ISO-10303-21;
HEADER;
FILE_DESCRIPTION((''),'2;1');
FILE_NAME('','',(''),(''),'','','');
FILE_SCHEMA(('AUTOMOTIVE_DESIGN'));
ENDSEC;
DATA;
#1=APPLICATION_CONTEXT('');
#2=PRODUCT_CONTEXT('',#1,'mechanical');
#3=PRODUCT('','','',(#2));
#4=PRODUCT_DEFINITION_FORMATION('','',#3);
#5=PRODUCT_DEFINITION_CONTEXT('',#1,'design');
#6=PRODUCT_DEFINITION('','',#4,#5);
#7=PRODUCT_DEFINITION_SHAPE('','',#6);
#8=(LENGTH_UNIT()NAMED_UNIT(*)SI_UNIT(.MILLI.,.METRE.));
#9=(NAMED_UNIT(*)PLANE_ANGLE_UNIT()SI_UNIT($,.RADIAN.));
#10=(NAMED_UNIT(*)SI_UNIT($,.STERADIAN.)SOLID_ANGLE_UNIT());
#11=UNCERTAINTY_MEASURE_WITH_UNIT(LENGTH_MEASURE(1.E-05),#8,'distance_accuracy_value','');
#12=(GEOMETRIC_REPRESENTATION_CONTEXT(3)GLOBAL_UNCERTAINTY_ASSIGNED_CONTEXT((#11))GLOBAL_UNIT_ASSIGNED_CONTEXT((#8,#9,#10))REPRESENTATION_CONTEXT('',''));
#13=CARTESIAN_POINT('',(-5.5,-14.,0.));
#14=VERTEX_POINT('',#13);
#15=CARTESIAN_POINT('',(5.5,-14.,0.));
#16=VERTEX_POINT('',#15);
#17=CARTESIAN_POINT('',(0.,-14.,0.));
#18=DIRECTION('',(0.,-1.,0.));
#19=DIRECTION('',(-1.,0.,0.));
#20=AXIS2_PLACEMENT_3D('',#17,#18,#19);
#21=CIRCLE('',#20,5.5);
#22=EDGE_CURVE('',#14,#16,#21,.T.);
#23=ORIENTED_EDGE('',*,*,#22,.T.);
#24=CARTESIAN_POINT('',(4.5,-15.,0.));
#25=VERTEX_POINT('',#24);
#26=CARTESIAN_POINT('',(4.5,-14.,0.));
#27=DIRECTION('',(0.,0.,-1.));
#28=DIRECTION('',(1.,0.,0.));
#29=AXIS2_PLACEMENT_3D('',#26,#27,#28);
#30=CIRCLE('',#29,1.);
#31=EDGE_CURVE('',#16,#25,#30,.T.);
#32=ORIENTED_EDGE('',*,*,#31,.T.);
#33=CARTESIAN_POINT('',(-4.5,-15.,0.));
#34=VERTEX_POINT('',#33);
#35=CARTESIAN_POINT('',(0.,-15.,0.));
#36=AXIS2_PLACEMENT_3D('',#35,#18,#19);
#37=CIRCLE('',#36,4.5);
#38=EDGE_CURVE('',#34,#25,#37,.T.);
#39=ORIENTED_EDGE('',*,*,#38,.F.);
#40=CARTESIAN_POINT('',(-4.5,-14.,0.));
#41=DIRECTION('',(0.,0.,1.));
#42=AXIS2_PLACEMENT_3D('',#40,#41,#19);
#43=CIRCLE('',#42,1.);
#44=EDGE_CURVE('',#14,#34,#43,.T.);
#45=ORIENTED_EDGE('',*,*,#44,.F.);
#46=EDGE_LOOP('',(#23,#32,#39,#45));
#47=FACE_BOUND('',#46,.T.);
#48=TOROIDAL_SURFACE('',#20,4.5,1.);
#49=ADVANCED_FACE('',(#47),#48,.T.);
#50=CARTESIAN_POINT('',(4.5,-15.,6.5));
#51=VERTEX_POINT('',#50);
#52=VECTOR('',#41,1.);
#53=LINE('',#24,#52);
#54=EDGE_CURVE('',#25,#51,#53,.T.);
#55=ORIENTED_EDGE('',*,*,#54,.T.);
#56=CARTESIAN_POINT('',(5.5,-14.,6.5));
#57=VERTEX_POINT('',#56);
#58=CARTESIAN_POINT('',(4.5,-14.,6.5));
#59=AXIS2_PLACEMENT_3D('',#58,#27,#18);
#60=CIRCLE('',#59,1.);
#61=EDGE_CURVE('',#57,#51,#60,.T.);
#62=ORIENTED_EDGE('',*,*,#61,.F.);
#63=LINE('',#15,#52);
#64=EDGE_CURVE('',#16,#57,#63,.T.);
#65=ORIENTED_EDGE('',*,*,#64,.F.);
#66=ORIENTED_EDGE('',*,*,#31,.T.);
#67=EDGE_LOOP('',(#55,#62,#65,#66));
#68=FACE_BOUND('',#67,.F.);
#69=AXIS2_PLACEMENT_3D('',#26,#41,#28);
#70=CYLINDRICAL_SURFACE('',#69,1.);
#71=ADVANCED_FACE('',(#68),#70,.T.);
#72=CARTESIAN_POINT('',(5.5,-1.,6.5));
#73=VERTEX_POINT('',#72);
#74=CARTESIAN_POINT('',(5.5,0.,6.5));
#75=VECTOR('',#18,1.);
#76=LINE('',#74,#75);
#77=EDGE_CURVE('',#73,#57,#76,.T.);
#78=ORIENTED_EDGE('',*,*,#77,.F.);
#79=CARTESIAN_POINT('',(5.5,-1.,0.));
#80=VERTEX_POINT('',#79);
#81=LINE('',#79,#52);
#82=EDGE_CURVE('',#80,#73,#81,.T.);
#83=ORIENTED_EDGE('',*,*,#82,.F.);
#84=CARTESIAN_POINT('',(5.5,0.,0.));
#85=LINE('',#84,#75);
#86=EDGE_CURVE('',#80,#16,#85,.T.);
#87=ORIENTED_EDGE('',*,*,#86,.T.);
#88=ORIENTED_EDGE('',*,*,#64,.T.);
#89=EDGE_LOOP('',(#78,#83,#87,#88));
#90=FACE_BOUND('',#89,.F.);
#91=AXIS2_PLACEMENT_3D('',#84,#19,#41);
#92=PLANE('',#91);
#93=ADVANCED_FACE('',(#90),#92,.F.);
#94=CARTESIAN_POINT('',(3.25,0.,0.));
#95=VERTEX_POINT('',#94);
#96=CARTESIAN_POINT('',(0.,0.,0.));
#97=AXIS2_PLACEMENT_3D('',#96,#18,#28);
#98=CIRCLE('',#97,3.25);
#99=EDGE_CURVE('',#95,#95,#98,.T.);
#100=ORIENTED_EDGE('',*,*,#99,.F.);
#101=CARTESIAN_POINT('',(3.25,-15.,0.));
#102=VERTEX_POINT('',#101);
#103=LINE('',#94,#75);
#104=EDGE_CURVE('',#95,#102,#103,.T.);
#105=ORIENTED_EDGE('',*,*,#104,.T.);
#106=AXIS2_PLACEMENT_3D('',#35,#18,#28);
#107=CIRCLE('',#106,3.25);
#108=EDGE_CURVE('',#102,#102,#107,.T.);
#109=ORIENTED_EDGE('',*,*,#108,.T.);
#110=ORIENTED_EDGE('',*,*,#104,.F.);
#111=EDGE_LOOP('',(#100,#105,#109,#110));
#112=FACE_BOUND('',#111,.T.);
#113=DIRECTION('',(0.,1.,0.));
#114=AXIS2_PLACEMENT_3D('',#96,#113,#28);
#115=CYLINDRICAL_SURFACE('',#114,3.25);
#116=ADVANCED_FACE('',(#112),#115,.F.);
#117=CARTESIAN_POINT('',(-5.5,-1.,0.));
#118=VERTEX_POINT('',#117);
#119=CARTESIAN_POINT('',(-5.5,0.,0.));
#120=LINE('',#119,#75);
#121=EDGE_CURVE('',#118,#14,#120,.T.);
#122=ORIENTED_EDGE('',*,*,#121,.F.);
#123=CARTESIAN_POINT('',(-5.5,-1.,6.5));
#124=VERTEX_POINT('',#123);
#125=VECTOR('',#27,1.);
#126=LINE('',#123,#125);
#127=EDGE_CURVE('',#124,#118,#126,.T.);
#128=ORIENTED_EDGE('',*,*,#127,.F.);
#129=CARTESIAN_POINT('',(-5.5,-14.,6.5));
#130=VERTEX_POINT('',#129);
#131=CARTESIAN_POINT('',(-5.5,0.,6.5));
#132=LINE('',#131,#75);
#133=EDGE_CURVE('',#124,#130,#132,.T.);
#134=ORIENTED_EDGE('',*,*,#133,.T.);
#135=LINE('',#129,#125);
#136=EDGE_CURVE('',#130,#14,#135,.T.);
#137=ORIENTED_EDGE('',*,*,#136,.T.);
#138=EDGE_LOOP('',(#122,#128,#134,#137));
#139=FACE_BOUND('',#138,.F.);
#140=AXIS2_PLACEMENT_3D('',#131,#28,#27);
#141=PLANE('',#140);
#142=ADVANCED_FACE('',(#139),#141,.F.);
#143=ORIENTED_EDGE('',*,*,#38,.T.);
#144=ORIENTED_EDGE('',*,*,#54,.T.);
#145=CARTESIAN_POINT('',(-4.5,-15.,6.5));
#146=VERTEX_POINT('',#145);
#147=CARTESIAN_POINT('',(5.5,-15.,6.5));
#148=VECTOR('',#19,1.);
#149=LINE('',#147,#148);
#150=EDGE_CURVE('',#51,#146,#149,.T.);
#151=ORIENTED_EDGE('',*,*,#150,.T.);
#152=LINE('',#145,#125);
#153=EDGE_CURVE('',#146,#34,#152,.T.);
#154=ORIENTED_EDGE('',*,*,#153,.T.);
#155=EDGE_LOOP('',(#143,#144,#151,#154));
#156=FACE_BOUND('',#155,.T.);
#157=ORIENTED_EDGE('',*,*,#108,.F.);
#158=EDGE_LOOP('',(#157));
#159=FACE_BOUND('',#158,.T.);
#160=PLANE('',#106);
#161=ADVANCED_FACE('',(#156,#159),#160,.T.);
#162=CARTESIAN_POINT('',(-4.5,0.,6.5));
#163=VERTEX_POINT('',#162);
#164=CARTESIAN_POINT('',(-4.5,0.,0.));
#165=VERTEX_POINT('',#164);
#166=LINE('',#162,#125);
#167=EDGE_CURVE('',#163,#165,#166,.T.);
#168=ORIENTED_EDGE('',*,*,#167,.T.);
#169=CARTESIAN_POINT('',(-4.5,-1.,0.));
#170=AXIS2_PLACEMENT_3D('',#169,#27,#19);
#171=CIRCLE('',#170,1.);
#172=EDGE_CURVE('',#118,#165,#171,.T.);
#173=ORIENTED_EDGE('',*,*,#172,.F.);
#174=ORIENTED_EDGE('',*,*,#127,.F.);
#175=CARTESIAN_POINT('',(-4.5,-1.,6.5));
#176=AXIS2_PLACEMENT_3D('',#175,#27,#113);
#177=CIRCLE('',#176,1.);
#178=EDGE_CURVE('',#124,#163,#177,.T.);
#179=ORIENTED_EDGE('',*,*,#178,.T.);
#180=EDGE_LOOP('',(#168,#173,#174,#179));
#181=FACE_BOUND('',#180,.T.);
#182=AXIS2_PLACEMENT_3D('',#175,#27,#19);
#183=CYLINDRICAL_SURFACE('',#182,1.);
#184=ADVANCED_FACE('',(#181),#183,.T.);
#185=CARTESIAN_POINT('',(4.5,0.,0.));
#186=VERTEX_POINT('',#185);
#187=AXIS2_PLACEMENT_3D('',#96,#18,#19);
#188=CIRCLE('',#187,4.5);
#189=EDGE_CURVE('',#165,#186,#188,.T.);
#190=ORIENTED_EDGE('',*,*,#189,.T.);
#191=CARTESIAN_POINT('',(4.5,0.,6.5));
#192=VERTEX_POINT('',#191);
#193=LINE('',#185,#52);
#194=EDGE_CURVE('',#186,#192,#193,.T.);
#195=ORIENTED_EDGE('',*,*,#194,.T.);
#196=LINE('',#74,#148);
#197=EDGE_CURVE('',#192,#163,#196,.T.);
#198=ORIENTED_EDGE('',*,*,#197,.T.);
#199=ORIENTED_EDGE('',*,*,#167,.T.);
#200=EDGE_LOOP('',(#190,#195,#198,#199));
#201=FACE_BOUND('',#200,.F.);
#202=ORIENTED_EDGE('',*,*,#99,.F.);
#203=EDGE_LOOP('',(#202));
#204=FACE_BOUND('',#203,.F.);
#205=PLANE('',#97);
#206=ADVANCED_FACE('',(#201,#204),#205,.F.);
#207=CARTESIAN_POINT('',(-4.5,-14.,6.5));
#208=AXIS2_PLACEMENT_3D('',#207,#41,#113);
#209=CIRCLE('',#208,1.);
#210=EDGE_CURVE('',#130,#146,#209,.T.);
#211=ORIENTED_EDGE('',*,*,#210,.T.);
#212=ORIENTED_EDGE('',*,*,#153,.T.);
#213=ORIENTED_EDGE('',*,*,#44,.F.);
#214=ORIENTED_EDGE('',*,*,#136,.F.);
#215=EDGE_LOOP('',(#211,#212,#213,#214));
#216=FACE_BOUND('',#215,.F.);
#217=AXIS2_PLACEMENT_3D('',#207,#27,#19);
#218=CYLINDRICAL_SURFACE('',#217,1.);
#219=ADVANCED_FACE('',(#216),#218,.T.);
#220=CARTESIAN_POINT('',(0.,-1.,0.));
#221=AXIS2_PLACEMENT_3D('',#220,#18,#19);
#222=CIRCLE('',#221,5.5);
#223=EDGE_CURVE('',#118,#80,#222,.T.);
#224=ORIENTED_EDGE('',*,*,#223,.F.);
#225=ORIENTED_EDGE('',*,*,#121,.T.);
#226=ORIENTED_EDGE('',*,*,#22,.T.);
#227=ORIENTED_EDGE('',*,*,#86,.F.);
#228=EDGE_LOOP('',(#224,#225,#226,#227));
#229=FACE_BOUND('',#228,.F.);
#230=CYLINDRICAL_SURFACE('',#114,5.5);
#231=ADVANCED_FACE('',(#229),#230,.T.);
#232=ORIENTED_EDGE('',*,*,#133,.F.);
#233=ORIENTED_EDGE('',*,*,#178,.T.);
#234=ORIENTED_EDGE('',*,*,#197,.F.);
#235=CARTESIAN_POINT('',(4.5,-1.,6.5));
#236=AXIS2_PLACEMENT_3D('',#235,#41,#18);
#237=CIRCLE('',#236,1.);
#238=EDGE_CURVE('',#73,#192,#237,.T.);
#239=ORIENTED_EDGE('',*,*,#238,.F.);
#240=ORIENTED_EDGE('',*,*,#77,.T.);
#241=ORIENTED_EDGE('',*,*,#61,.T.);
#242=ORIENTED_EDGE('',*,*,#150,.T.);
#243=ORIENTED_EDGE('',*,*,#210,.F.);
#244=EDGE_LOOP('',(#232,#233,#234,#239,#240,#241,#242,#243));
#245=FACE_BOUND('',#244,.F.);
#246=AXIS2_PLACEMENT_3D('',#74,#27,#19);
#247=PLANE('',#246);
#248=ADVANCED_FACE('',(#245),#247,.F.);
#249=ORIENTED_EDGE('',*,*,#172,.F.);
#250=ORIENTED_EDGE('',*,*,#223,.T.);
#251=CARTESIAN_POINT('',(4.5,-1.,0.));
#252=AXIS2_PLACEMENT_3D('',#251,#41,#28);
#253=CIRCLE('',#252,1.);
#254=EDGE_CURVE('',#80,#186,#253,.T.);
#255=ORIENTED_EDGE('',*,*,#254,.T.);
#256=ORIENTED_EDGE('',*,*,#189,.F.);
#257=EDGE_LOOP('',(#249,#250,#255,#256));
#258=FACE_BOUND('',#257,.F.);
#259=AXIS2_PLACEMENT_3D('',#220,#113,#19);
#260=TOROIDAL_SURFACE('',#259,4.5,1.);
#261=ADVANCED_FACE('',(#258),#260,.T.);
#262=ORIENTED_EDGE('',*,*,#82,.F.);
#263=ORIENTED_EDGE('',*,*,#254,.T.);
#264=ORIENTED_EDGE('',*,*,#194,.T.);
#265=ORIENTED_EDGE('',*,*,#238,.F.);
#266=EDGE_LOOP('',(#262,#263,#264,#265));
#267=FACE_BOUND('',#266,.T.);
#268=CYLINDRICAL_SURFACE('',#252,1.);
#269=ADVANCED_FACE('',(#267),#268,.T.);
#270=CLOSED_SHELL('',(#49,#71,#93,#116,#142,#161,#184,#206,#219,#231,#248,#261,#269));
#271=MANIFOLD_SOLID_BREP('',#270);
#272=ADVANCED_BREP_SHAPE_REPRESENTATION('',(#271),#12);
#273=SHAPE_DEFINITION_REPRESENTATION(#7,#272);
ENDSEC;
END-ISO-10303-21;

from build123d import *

# Parameters (mm, degrees)
F0_R     = 3.25
F1_DEPTH = 15
F2_R     = 1


with BuildPart() as f1:
    # F0 (on Front) → F1 (new body)
    with BuildSketch(Plane.XZ):
        with BuildLine():
            ThreePointArc((-5.5, 0), (0, -5.5), (5.5, 0))
            ThreePointArc((5.5, 0), (0, 5.5), (-5.5, 0))
        make_face()
        Circle(F0_R, mode=Mode.SUBTRACT)
        with BuildLine():
            ThreePointArc((-5.5, 0), (0, 5.5), (5.5, 0))
            Line((5.5, 0), (5.5, 6.5))
            Line((5.5, 6.5), (-5.5, 6.5))
            Line((-5.5, 6.5), (-5.5, 0))
        make_face()
    extrude(amount=F1_DEPTH)

    # F2
    f2_edges = [f1.edges().sort_by_distance(p)[0] for p in [
        (0, -15, -5.5),
        (0, 0, -5.5),
    ]]
    fillet(f2_edges, radius=F2_R)


solid = f1.part
